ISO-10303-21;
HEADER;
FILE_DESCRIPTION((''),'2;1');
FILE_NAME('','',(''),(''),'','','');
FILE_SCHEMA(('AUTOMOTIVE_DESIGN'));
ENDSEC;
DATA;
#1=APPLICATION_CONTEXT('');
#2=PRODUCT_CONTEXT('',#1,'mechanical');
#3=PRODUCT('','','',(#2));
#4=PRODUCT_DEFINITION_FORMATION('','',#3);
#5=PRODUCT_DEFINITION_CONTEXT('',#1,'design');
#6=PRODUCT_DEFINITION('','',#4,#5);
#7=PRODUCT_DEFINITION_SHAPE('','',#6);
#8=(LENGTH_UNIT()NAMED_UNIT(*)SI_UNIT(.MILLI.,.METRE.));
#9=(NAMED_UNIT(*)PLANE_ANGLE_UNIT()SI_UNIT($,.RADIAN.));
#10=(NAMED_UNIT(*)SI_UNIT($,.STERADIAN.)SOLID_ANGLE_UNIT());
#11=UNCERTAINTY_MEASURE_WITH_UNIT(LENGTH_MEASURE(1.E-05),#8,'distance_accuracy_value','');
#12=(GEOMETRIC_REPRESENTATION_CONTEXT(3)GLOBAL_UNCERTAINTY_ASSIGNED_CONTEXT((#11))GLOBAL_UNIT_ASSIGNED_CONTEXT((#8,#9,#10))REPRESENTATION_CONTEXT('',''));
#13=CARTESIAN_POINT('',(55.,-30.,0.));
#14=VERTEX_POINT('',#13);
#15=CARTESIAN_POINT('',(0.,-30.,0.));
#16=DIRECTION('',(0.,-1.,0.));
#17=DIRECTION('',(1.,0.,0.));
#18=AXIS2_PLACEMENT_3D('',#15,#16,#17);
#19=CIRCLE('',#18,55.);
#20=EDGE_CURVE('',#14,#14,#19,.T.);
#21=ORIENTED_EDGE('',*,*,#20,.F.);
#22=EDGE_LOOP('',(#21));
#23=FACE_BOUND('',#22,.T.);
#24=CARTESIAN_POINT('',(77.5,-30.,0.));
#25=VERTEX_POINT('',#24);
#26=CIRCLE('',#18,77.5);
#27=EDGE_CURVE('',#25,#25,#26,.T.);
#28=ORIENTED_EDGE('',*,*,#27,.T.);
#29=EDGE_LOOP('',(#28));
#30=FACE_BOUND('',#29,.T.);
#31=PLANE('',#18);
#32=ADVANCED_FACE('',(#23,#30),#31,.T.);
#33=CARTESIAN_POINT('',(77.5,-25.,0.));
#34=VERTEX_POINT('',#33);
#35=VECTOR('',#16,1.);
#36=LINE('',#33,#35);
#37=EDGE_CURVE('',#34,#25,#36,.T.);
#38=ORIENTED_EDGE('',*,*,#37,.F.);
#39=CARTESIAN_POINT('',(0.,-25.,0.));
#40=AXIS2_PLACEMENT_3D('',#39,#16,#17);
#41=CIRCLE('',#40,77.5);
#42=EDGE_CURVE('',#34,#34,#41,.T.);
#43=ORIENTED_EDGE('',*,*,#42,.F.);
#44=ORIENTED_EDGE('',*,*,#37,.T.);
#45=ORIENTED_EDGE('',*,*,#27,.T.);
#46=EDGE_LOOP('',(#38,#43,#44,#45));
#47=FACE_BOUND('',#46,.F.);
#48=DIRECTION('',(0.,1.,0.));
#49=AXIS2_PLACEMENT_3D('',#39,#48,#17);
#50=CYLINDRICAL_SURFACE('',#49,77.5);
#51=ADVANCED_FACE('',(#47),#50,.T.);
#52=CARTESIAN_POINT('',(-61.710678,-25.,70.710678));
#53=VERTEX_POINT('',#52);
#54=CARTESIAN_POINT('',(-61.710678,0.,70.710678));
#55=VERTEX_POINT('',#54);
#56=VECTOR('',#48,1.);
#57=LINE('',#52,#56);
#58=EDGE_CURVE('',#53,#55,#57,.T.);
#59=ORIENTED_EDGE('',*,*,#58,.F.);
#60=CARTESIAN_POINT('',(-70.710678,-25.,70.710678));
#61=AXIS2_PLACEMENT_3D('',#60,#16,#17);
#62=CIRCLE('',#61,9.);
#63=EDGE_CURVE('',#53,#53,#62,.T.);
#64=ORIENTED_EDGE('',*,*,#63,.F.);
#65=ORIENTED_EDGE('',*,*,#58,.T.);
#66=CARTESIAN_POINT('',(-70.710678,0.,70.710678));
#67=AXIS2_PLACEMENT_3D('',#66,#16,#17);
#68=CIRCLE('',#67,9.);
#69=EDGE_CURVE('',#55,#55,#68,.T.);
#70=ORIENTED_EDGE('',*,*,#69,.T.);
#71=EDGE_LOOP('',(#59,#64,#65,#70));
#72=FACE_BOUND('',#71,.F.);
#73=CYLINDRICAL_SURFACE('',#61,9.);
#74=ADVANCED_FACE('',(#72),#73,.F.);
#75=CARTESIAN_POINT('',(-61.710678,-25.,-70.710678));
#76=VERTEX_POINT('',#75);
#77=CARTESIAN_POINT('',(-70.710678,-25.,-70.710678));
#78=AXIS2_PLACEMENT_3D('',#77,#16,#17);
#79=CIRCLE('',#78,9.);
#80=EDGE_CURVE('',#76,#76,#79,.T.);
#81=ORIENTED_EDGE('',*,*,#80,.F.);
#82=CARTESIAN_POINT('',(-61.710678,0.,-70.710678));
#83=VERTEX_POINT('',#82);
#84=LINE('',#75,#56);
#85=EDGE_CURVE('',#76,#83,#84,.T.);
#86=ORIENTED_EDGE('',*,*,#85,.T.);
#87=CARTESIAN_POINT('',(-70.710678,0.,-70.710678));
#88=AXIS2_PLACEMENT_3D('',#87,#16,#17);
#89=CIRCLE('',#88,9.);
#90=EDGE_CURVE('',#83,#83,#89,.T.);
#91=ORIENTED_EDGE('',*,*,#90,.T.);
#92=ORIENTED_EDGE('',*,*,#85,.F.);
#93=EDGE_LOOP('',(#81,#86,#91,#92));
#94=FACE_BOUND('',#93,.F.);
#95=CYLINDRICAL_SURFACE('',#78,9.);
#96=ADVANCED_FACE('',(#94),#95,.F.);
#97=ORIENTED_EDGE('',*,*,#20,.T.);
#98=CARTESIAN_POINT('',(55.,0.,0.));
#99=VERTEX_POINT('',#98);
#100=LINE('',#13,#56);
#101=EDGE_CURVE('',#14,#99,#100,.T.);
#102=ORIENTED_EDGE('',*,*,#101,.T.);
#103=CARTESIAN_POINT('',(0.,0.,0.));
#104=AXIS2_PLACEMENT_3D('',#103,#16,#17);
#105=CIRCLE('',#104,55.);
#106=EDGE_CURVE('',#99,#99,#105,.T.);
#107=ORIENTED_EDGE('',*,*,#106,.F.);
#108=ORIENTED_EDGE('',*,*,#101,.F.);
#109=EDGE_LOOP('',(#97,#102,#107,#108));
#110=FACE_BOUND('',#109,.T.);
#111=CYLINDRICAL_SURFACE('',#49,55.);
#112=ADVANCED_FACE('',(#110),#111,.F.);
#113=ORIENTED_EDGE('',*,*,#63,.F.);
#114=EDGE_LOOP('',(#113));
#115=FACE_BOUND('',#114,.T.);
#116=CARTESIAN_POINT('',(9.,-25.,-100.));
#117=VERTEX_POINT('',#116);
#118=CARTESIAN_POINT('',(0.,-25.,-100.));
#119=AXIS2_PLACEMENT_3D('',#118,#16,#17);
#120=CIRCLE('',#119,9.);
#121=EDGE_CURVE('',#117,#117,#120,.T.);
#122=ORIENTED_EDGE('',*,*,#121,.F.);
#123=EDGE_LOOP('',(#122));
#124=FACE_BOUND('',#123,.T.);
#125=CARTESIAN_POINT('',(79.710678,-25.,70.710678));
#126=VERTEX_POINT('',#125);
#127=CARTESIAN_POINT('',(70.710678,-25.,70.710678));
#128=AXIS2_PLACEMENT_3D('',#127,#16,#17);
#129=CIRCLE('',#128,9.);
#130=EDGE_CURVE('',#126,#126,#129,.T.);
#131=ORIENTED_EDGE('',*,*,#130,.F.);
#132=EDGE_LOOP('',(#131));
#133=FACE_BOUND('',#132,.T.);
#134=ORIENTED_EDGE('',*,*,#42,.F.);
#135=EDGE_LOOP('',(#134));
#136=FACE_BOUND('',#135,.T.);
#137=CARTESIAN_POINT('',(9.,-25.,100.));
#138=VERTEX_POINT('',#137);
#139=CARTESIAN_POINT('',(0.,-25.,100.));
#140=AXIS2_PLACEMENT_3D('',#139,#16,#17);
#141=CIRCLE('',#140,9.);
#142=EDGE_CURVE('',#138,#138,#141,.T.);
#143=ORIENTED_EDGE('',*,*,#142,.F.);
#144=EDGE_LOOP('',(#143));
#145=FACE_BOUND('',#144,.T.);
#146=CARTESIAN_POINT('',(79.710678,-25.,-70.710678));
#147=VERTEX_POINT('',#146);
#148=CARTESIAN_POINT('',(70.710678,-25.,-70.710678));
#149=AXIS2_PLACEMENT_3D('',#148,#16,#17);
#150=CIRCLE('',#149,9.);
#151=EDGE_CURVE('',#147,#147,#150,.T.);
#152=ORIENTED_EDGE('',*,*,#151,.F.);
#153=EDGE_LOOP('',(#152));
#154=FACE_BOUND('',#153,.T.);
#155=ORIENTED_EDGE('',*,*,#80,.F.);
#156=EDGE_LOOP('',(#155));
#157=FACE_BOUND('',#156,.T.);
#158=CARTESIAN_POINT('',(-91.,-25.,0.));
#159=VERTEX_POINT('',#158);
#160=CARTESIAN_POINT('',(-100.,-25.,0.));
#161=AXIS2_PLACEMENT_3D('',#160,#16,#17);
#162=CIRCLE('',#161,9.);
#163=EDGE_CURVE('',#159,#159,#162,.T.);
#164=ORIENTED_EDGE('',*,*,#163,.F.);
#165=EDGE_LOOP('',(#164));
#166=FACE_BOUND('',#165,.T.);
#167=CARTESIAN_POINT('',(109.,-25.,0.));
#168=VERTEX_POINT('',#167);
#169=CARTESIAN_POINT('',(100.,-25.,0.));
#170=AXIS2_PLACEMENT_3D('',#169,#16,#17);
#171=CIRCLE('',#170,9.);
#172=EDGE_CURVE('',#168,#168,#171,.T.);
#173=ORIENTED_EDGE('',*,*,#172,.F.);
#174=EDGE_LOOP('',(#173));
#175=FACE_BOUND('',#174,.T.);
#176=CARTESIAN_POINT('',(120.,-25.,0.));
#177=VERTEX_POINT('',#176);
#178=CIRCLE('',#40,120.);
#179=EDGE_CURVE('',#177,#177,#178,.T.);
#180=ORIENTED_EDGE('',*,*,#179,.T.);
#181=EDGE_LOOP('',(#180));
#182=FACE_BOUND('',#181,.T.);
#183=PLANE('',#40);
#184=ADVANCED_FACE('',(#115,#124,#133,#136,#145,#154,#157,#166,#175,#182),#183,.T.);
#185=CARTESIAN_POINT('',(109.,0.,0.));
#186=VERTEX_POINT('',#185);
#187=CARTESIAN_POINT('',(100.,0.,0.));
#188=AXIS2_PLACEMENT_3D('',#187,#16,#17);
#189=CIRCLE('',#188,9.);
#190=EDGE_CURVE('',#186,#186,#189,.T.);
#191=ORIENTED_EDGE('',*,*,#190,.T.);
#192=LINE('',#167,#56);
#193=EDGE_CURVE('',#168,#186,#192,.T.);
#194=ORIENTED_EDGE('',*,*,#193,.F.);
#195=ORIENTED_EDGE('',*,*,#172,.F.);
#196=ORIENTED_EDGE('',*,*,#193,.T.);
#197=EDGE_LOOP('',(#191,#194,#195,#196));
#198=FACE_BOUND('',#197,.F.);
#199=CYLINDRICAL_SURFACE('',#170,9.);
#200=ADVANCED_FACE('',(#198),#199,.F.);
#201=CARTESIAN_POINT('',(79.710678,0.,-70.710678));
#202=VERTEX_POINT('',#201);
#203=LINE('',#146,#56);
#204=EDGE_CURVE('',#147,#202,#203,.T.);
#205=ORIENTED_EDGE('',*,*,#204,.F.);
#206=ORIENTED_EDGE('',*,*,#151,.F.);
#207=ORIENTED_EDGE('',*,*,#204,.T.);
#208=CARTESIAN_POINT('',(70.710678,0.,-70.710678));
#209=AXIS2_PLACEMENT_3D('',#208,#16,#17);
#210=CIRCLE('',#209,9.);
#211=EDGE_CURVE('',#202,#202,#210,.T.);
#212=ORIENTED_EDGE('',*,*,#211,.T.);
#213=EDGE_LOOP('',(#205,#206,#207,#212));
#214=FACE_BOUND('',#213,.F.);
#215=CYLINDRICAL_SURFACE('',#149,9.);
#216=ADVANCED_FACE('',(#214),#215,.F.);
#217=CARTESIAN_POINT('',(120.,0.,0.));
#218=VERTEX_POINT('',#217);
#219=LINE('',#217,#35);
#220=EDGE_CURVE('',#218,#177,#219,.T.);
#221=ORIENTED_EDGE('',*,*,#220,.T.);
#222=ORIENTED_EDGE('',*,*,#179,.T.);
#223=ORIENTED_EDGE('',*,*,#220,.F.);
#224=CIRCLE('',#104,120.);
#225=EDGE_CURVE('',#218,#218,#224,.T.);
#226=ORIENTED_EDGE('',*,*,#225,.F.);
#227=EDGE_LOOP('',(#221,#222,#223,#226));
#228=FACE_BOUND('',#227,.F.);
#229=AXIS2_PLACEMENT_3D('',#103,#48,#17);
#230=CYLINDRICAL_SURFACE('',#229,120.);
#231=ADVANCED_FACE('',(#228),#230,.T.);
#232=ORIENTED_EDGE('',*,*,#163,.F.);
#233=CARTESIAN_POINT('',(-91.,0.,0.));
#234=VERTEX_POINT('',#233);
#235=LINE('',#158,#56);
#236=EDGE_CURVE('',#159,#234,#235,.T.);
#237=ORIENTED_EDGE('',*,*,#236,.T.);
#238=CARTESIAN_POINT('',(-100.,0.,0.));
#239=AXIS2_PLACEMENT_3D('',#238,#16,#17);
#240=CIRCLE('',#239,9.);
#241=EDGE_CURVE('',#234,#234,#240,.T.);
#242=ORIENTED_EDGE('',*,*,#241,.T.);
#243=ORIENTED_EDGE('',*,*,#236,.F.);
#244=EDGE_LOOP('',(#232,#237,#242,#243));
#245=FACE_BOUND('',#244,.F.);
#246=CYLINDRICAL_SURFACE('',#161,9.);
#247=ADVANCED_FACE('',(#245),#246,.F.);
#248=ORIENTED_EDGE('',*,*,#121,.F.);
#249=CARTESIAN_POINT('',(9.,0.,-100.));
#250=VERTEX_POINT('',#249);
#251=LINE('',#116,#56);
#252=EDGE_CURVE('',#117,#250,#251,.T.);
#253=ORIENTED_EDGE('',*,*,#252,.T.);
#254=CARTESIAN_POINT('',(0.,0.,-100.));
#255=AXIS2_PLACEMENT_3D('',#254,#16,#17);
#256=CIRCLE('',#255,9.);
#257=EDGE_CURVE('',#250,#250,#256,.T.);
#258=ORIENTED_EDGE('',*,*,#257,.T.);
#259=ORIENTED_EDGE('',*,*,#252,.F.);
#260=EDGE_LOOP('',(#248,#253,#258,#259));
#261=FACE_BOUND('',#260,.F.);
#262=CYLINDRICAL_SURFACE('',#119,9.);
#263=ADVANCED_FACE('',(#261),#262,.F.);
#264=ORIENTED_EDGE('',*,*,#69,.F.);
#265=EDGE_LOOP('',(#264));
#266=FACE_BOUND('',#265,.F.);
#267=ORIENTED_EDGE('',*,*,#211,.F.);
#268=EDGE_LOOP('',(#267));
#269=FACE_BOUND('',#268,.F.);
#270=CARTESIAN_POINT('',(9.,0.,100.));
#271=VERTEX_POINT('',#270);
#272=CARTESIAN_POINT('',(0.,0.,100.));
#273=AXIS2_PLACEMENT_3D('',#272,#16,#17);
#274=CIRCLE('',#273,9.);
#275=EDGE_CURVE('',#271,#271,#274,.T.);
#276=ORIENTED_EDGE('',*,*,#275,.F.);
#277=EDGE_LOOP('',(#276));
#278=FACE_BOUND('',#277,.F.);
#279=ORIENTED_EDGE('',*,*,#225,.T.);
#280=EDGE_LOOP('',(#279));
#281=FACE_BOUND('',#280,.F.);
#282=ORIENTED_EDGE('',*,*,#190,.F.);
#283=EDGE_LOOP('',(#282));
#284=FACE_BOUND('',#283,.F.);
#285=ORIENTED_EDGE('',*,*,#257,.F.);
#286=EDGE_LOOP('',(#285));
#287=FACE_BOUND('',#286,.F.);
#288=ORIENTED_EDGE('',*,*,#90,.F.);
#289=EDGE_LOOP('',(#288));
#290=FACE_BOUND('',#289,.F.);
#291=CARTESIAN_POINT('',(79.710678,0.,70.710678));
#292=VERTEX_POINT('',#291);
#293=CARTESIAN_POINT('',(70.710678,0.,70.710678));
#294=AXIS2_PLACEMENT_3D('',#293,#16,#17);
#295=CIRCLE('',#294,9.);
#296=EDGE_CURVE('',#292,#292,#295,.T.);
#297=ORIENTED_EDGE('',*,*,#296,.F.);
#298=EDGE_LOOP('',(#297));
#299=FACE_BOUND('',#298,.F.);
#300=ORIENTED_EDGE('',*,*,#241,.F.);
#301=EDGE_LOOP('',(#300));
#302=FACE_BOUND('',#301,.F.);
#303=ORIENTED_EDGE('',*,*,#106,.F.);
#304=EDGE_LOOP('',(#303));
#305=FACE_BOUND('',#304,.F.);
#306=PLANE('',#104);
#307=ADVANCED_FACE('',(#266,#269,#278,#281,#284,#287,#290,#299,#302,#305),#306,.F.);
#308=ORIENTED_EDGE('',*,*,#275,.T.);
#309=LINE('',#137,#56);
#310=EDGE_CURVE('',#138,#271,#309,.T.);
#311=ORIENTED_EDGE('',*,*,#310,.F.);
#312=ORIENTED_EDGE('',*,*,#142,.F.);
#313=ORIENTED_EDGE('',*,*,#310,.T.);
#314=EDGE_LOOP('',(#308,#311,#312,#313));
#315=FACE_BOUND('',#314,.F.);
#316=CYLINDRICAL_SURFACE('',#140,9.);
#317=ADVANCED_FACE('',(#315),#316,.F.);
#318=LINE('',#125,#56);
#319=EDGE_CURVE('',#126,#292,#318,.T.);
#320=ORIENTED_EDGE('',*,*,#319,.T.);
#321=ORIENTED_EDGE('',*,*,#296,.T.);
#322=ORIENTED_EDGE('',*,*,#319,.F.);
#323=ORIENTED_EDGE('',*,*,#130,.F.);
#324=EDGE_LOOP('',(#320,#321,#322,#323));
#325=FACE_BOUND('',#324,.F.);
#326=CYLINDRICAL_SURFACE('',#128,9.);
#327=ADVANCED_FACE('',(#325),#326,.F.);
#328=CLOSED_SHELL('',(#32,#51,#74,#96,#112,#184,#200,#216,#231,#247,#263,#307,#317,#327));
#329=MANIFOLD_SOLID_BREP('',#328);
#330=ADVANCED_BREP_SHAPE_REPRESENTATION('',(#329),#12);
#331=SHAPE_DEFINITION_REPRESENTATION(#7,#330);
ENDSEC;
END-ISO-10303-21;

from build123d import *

# Parameters (mm, degrees)
F0_R     = 120
F0_R_2   = 55
F1_DEPTH = 25
F3_R     = 9
F4_DEPTH = 25
F5_R     = 77.5
F5_R_2   = 55
F6_DEPTH = 5


with BuildPart() as f1:
    # F0 (on Front) → F1 (new body)
    with BuildSketch(Plane.XZ):
        Circle(F0_R)
        Circle(F0_R_2, mode=Mode.SUBTRACT)
    extrude(amount=F1_DEPTH)

    # F3 (on face) → F4 (cut)
    with BuildSketch(Plane.XZ.offset(25)):
        with Locations((0, 100)):
            Circle(F3_R)
        with Locations((-70.710678, 70.710678)):
            Circle(F3_R)
        with Locations((-100, 0)):
            Circle(F3_R)
        with Locations((-70.710678, -70.710678)):
            Circle(F3_R)
        with Locations((0, -100)):
            Circle(F3_R)
        with Locations((70.710678, -70.710678)):
            Circle(F3_R)
        with Locations((100, 0)):
            Circle(F3_R)
        with Locations((70.710678, 70.710678)):
            Circle(F3_R)
    extrude(amount=-F4_DEPTH, mode=Mode.SUBTRACT)

    # F5 (on face) → F6 (join)
    with BuildSketch(Plane.XZ.offset(25)):
        Circle(F5_R)
        Circle(F5_R_2, mode=Mode.SUBTRACT)
    extrude(amount=F6_DEPTH)


solid = f1.part
